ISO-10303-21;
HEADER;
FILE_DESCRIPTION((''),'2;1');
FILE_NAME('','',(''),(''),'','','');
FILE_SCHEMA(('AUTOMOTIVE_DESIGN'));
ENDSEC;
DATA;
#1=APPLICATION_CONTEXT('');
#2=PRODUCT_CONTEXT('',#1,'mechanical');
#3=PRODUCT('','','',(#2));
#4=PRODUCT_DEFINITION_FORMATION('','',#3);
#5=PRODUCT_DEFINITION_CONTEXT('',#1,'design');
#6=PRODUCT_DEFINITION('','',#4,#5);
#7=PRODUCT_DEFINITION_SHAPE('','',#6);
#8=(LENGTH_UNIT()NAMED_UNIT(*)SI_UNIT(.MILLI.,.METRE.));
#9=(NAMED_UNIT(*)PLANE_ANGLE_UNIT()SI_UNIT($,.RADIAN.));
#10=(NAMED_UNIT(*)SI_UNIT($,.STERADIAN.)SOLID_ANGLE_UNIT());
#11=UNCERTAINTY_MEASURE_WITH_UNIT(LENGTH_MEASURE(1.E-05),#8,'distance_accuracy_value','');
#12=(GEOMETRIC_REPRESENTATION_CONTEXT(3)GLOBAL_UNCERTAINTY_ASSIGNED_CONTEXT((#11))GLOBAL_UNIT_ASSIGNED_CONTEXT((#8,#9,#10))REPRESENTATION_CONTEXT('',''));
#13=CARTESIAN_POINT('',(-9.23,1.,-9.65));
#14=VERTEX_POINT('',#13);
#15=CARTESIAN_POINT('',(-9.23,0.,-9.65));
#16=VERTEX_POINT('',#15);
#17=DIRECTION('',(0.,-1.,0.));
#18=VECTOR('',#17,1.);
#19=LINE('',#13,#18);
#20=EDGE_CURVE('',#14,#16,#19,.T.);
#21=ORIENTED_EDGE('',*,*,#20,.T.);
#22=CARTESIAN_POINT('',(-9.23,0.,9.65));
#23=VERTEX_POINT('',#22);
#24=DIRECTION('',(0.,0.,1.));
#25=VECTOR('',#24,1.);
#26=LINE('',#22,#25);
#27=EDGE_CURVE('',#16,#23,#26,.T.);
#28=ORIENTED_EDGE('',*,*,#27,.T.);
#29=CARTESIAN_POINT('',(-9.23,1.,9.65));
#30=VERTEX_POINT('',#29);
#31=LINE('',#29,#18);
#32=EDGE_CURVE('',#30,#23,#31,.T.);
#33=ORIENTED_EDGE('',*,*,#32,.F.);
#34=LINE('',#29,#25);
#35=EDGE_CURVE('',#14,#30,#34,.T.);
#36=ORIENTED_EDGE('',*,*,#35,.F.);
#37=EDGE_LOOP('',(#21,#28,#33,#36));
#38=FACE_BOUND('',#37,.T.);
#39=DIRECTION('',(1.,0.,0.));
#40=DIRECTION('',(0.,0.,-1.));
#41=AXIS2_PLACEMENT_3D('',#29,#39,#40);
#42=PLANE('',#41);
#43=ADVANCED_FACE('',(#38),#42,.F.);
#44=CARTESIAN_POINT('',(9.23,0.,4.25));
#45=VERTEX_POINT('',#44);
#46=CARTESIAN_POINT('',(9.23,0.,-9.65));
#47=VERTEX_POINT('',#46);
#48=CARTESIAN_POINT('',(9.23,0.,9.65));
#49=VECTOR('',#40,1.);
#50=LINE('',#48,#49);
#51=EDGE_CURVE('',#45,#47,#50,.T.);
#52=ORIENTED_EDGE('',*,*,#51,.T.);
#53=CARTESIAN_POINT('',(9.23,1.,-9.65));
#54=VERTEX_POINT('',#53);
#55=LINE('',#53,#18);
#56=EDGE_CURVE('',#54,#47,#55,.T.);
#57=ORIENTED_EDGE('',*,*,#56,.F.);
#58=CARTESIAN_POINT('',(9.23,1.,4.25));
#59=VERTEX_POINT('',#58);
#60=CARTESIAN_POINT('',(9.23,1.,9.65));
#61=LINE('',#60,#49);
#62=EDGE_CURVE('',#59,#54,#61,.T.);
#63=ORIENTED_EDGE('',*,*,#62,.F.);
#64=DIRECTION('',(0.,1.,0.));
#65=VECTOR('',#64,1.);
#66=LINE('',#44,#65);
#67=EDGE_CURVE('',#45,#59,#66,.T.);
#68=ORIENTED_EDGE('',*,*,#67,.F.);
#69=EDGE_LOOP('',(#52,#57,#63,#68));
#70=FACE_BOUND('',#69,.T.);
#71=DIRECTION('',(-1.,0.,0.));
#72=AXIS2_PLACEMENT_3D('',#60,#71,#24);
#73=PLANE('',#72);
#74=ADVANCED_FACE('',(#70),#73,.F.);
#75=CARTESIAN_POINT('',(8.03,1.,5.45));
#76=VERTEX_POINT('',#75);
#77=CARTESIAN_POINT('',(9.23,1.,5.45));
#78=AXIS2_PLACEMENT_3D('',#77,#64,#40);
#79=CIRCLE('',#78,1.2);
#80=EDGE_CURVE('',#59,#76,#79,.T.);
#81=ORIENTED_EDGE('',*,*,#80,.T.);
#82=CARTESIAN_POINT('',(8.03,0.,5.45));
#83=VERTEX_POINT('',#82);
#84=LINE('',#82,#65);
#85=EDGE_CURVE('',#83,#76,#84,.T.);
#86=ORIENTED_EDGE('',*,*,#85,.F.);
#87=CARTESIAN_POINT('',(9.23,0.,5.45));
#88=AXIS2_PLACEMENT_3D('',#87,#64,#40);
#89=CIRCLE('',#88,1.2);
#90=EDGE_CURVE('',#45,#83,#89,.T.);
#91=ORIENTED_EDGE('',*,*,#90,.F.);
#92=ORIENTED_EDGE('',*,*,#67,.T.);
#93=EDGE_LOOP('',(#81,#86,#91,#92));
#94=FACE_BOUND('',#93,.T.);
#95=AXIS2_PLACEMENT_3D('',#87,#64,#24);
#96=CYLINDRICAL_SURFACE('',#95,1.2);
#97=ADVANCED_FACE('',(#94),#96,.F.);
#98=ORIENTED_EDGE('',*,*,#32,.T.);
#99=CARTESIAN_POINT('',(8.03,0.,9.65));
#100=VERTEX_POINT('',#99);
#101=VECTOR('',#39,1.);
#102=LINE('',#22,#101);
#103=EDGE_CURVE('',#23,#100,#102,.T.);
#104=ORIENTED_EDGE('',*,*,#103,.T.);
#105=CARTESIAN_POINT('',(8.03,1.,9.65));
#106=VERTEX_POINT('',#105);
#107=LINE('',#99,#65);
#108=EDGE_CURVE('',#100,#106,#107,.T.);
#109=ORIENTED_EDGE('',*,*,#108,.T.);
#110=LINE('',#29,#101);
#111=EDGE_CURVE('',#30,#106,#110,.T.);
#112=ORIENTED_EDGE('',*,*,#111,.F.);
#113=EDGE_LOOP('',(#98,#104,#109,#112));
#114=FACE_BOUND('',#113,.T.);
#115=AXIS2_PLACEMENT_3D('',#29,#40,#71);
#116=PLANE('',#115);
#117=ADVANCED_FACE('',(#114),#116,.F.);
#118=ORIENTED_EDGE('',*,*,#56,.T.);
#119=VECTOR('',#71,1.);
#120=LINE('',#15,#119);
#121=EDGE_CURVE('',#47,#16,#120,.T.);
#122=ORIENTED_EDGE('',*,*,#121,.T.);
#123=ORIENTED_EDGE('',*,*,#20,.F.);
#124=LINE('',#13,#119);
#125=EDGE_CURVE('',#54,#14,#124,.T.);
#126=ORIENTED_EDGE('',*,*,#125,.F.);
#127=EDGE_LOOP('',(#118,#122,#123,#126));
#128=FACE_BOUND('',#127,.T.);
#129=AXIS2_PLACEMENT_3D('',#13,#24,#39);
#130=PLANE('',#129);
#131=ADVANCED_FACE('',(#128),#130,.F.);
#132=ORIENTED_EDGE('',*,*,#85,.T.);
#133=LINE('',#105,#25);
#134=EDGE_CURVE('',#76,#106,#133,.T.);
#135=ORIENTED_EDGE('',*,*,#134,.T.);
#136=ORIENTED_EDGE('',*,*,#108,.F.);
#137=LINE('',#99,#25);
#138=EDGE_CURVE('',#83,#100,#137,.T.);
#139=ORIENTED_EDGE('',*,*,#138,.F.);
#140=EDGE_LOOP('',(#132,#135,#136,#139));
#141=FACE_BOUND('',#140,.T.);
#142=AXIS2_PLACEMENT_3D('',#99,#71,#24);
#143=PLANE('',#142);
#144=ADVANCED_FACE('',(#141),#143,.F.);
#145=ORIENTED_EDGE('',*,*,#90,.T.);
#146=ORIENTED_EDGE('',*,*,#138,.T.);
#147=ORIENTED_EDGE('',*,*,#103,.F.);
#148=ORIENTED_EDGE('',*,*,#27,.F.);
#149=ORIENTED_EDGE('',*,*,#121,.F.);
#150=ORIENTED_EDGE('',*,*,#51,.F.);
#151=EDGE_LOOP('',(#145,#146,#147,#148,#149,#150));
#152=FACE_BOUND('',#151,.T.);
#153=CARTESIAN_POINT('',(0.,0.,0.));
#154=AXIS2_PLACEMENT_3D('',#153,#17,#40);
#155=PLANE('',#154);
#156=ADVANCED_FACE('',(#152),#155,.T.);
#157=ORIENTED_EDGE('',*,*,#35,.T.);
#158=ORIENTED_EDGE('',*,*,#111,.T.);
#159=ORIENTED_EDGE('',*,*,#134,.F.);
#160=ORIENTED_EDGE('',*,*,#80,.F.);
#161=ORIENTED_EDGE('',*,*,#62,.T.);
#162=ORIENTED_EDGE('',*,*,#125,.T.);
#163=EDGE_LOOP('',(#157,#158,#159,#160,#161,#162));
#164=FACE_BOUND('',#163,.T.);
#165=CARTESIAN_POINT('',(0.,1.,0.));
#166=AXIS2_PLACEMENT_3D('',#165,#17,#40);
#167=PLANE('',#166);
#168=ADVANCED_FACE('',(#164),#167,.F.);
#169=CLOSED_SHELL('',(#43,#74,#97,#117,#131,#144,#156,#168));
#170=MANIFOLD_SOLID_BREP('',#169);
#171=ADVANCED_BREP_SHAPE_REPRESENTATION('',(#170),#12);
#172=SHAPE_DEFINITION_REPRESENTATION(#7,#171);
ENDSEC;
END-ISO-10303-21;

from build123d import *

# Parameters (mm, degrees)
SKETCH_1_W          = 18.46
SKETCH_1_H          = 19.3
EXTRUDE_1_DEPTH     = 1
CUT_EXTRUDE_1_DEPTH = 2


with BuildPart() as part:
    # 草图1 → 凸台-拉伸1 (new body)
    with BuildSketch(Plane(origin=(0, 0, 0), x_dir=(1, 0, 0), z_dir=(0, 1, 0))):
        Rectangle(SKETCH_1_W, SKETCH_1_H)
    extrude(amount=EXTRUDE_1_DEPTH)

    # 草图2 → 切除-拉伸1 (cut, through all)
    with BuildSketch(Plane(origin=(0, 1, 0), x_dir=(1, 0, 0), z_dir=(0, 1, 0))):
        with BuildLine():
            Line((9.23, -9.65), (8.03, -9.65))
            Line((8.03, -9.65), (8.03, -5.45))
            ThreePointArc((8.03, -5.45), (8.381471863, -4.601471863), (9.23, -4.25))
            Line((9.23, -4.25), (9.23, -9.65))
        make_face()
    extrude(amount=-CUT_EXTRUDE_1_DEPTH, mode=Mode.SUBTRACT)


solid = part.part
